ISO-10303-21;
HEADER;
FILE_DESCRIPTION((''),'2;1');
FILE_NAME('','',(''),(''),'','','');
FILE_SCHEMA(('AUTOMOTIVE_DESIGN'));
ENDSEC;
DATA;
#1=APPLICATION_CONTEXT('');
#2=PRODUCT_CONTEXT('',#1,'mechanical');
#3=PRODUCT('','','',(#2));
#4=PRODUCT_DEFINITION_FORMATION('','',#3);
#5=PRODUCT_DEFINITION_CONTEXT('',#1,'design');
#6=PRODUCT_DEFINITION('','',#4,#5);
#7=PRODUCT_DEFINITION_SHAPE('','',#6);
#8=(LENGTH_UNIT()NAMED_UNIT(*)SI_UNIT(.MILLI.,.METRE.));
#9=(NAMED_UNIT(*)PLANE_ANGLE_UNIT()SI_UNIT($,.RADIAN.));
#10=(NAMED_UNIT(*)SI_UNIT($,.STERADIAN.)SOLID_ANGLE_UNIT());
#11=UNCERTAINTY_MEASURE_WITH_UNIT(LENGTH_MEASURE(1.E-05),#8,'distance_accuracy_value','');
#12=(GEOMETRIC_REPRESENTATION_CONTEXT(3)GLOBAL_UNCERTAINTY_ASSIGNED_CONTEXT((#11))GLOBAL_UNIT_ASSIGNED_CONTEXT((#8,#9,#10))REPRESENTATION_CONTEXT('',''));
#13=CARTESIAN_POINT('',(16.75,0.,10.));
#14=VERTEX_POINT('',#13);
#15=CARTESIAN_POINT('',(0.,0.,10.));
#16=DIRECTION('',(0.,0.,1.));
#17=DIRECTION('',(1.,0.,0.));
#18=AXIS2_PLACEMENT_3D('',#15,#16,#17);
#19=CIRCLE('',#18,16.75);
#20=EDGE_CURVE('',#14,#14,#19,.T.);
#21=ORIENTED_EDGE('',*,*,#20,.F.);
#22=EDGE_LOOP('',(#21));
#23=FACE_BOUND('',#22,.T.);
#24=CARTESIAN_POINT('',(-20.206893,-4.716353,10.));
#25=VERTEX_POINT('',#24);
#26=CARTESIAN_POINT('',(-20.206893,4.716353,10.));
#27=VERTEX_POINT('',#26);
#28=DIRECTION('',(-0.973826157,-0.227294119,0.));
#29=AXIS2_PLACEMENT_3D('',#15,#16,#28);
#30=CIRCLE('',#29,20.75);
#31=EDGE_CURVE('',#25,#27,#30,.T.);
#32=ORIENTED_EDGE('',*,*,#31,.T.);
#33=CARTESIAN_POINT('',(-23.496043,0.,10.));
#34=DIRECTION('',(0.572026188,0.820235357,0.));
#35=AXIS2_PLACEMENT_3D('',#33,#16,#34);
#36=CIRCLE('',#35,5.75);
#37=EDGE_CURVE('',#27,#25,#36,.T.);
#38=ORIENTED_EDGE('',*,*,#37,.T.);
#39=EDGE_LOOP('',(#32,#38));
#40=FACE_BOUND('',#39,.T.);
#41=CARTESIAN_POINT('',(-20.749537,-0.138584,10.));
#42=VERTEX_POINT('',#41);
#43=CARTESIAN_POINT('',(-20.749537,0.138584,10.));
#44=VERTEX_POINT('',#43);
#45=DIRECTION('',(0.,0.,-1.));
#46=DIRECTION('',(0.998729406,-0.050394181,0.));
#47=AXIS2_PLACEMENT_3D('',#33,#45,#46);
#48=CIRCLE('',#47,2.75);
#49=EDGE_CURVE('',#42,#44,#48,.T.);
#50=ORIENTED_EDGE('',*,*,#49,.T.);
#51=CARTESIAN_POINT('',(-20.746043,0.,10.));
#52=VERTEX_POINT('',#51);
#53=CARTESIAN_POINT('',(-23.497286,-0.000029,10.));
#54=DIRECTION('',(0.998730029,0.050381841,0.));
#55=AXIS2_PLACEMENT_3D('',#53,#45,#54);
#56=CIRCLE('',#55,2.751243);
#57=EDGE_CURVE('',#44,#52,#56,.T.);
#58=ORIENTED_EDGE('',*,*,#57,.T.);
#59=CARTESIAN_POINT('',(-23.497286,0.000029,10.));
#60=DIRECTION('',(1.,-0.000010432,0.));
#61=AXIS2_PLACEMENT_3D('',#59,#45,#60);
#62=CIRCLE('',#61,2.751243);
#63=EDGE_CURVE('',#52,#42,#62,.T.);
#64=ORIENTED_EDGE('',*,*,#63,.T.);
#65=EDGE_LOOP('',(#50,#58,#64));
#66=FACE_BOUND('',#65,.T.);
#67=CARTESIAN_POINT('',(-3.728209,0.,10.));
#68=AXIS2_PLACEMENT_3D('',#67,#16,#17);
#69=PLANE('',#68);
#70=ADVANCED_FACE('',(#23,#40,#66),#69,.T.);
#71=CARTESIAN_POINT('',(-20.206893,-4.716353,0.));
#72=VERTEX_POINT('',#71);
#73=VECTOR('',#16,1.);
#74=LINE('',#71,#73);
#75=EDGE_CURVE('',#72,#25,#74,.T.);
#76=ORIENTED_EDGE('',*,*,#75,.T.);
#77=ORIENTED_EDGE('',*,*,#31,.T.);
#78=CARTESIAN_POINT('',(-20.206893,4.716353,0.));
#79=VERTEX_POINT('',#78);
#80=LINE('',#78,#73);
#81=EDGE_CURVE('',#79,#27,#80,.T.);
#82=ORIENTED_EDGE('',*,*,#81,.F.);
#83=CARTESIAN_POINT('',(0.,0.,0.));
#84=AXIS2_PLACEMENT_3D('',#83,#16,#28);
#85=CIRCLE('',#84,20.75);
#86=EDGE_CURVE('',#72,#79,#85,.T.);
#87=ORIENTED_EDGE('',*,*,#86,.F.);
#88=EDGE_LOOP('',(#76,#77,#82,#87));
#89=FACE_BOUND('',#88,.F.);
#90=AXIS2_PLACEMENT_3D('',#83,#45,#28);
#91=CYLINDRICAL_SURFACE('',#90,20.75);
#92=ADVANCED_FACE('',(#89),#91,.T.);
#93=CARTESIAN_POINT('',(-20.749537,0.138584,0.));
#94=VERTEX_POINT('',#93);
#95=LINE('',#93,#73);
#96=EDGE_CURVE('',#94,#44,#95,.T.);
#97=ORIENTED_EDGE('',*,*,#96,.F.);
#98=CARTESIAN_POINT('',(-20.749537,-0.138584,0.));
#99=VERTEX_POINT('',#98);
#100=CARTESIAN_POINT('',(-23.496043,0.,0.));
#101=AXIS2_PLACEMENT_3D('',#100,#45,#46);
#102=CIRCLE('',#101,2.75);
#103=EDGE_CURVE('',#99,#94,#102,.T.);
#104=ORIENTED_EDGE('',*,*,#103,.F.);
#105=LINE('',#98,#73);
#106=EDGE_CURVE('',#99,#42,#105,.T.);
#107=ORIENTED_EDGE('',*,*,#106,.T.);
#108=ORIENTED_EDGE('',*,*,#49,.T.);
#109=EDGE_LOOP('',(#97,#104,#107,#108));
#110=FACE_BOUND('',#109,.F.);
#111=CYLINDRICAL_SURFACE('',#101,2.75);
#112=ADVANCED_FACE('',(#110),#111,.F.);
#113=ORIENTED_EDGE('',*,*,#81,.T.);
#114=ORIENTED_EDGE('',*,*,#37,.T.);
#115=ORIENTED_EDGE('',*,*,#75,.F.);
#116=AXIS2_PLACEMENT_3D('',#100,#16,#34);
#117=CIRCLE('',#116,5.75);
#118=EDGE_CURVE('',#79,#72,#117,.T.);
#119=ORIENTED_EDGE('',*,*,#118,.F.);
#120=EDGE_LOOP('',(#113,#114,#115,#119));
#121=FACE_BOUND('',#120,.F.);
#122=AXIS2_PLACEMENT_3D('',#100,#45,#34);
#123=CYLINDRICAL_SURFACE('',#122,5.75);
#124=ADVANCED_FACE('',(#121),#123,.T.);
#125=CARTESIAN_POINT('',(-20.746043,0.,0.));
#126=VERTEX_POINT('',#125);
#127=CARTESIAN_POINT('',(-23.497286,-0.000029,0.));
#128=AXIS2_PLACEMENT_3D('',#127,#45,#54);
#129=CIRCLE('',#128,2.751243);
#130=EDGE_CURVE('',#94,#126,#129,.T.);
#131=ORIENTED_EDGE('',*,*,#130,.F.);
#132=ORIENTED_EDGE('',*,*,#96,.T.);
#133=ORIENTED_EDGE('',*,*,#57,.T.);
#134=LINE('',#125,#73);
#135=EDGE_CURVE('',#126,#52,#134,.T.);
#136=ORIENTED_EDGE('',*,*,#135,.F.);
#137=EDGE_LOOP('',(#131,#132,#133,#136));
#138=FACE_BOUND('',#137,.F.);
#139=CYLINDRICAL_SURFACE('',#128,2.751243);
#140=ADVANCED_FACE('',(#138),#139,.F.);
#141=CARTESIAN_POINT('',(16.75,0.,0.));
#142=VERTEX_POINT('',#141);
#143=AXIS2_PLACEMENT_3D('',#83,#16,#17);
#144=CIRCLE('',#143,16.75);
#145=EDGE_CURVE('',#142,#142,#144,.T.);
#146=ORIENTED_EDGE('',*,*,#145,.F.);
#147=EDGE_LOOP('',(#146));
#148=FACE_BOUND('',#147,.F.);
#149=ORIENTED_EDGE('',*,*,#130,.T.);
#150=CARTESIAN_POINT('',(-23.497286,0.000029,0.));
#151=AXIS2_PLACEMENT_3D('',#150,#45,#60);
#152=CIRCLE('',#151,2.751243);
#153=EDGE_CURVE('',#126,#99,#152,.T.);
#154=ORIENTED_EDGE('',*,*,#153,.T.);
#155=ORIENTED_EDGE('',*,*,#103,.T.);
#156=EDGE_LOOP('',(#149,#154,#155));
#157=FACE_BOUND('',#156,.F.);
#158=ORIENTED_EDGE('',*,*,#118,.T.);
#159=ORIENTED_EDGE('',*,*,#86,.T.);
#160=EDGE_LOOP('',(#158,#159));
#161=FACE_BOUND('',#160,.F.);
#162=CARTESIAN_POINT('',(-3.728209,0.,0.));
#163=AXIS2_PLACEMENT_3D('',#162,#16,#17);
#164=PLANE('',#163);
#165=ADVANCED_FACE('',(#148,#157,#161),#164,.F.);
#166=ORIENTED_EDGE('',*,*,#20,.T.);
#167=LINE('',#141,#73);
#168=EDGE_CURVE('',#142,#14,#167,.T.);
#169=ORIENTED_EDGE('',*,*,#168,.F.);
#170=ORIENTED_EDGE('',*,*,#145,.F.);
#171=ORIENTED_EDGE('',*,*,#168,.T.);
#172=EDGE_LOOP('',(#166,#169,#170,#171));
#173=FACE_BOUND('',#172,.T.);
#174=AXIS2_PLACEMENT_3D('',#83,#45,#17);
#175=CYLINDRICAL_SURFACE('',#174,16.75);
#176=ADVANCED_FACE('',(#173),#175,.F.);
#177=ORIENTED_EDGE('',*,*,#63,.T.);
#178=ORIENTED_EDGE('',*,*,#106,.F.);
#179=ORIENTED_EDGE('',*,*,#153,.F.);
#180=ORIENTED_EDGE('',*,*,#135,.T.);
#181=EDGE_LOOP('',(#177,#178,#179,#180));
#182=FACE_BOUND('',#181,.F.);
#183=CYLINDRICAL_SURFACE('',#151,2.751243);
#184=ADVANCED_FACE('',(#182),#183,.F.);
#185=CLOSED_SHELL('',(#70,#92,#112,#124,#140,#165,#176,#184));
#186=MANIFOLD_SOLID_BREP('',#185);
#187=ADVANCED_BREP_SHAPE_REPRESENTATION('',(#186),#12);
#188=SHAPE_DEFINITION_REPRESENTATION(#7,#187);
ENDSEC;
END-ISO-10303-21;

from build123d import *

# Parameters (mm, degrees)
F0_R     = 16.75
F1_DEPTH = 10


with BuildPart() as f1:
    # F0 (on Top) → F1 (new body)
    with BuildSketch(Plane.XY):
        with BuildLine():
            ThreePointArc((-20.206893, -4.716353), (20.75, 0), (-20.206893, 4.716353))
            ThreePointArc((-20.206893, 4.716353), (-29.246043, 0), (-20.206893, -4.716353))
        make_face()
        with BuildLine():
            ThreePointArc((-20.749537, -0.138584), (-26.246043, 0), (-20.749537, 0.138584))
            ThreePointArc((-20.749537, 0.138584), (-20.746917, 0.069314), (-20.746043, 0))
            ThreePointArc((-20.746043, 0), (-20.746917, -0.069314), (-20.749537, -0.138584))
        make_face(mode=Mode.SUBTRACT)
        Circle(F0_R, mode=Mode.SUBTRACT)
    extrude(amount=F1_DEPTH)


solid = f1.part
